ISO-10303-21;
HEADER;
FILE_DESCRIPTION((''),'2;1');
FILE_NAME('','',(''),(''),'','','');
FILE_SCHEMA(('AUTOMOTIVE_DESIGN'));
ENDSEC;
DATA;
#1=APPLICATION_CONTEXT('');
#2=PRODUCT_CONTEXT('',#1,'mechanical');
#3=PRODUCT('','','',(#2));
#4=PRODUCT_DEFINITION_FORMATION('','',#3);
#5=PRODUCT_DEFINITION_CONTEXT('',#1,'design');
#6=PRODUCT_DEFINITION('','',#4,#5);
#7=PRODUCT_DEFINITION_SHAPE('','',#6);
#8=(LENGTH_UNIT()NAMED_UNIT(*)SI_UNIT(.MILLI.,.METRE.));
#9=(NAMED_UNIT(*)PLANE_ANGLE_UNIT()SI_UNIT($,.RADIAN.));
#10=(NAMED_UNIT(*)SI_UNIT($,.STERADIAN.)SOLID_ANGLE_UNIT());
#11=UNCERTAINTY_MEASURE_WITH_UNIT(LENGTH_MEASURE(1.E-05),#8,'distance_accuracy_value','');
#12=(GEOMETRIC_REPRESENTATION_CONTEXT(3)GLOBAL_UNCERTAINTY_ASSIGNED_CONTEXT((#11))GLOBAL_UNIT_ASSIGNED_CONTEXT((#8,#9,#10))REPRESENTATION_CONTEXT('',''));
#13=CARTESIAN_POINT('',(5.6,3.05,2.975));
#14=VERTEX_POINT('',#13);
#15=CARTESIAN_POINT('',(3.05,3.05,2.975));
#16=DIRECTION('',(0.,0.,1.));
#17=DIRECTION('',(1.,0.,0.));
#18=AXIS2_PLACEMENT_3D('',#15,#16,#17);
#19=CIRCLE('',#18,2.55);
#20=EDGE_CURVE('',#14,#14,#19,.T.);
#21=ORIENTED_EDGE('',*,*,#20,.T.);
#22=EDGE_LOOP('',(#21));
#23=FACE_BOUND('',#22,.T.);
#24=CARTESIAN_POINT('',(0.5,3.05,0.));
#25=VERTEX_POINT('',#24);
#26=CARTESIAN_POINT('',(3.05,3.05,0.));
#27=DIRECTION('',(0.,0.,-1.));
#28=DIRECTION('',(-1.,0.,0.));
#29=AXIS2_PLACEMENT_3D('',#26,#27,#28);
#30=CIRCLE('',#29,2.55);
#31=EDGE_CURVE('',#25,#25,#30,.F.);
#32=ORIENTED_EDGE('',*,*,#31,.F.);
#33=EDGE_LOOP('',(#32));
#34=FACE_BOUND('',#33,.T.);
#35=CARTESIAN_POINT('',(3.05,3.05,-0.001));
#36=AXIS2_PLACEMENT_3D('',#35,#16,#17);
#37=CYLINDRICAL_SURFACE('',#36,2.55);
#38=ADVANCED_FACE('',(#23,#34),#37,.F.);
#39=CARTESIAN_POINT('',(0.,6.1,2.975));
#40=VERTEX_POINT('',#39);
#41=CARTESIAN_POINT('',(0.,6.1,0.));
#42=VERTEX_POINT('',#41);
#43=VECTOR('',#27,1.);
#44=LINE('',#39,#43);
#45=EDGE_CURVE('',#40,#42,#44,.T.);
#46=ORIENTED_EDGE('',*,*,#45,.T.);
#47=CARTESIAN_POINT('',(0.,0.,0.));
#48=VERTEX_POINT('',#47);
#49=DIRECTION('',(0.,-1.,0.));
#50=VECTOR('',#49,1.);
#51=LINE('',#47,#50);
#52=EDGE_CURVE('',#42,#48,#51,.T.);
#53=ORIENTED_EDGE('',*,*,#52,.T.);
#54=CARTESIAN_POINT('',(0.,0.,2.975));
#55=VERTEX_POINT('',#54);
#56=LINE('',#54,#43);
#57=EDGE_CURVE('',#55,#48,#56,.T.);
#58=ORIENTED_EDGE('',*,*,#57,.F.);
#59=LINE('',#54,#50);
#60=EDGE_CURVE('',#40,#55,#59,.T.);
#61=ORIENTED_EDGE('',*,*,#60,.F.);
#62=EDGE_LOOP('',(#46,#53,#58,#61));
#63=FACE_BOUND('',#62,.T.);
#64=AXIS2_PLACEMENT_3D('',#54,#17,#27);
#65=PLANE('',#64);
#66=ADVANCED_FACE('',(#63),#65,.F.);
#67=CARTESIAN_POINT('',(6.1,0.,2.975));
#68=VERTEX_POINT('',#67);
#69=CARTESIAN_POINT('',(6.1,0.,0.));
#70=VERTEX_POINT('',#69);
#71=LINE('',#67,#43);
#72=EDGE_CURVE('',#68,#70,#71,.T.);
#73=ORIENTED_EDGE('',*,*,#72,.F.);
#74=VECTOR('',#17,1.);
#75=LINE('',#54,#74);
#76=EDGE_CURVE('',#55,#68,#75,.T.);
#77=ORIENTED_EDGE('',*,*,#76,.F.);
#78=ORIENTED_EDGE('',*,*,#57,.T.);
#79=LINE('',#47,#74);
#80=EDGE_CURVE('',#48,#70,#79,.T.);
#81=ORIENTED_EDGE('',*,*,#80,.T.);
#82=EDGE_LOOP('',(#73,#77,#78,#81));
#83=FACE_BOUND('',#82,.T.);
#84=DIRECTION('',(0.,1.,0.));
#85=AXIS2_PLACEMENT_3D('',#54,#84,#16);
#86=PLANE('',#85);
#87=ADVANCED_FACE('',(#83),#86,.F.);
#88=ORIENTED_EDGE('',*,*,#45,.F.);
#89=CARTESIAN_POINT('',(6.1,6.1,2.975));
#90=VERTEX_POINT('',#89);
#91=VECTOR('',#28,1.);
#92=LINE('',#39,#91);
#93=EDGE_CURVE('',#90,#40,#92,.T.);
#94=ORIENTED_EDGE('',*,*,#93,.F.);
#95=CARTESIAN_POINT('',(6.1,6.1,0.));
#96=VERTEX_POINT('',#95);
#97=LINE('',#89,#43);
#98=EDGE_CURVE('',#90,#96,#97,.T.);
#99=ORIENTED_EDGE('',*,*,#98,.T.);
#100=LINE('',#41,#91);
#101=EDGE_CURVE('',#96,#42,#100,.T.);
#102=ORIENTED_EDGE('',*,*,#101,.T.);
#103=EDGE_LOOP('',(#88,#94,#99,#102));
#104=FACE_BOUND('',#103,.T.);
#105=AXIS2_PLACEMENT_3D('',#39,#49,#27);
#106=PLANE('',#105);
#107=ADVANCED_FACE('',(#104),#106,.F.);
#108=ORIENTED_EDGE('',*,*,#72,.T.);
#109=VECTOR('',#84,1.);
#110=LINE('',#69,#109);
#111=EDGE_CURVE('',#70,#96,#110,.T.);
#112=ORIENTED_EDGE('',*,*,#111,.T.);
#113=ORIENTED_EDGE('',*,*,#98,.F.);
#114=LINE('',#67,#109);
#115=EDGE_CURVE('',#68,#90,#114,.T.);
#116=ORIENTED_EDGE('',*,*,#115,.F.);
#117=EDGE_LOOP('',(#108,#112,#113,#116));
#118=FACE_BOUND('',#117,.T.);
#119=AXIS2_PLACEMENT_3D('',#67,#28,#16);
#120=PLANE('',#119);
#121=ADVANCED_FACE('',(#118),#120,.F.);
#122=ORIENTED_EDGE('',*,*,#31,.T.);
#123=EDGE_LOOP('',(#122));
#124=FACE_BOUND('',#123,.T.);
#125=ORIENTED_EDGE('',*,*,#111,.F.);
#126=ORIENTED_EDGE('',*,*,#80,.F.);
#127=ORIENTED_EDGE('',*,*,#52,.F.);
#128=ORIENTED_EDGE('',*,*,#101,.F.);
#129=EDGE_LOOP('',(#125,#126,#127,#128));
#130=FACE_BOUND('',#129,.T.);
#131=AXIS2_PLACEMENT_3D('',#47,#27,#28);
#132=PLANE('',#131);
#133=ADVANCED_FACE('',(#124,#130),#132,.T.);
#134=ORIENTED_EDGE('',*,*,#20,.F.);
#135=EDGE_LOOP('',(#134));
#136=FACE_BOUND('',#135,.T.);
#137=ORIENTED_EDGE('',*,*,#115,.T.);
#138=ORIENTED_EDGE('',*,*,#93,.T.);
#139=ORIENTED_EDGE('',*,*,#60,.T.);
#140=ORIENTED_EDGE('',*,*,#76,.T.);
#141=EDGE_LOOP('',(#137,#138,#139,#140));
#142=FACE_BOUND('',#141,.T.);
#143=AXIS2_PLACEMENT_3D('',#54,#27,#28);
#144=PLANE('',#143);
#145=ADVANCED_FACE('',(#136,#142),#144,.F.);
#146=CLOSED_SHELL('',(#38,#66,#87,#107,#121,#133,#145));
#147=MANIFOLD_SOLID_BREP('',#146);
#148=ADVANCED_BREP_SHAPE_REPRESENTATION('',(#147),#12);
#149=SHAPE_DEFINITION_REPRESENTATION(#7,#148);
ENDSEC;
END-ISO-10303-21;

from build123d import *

# Parameters (mm, degrees)
SKETCH1_W           = 6.1
SKETCH1_H           = 6.1
BOSS_EXTRUDE1_DEPTH = 2.975
CUT_EXTRUDE1_REACH  = 11.125
SKETCH2_R           = 2.55


with BuildPart() as part:
    # Sketch1 → Boss-Extrude1 (new body)
    with BuildSketch(Plane.XY):
        with Locations((3.05, 3.05)):
            Rectangle(SKETCH1_W, SKETCH1_H)
    extrude(amount=BOSS_EXTRUDE1_DEPTH)

    # Sketch2 → Cut-Extrude1 (cut, up to next)
    with BuildSketch(Plane.XY.offset(2.975), mode=Mode.PRIVATE) as cut_extrude1_sk1:
        with Locations((3.05, 3.05)):
            Circle(SKETCH2_R)
    cut_extrude1_tool1 = extrude(cut_extrude1_sk1.sketch, amount=-CUT_EXTRUDE1_REACH, mode=Mode.PRIVATE) & part.part
    add(cut_extrude1_tool1.solids().sort_by_distance((3.05, 3.05, 2.975))[0], mode=Mode.SUBTRACT)


solid = part.part
